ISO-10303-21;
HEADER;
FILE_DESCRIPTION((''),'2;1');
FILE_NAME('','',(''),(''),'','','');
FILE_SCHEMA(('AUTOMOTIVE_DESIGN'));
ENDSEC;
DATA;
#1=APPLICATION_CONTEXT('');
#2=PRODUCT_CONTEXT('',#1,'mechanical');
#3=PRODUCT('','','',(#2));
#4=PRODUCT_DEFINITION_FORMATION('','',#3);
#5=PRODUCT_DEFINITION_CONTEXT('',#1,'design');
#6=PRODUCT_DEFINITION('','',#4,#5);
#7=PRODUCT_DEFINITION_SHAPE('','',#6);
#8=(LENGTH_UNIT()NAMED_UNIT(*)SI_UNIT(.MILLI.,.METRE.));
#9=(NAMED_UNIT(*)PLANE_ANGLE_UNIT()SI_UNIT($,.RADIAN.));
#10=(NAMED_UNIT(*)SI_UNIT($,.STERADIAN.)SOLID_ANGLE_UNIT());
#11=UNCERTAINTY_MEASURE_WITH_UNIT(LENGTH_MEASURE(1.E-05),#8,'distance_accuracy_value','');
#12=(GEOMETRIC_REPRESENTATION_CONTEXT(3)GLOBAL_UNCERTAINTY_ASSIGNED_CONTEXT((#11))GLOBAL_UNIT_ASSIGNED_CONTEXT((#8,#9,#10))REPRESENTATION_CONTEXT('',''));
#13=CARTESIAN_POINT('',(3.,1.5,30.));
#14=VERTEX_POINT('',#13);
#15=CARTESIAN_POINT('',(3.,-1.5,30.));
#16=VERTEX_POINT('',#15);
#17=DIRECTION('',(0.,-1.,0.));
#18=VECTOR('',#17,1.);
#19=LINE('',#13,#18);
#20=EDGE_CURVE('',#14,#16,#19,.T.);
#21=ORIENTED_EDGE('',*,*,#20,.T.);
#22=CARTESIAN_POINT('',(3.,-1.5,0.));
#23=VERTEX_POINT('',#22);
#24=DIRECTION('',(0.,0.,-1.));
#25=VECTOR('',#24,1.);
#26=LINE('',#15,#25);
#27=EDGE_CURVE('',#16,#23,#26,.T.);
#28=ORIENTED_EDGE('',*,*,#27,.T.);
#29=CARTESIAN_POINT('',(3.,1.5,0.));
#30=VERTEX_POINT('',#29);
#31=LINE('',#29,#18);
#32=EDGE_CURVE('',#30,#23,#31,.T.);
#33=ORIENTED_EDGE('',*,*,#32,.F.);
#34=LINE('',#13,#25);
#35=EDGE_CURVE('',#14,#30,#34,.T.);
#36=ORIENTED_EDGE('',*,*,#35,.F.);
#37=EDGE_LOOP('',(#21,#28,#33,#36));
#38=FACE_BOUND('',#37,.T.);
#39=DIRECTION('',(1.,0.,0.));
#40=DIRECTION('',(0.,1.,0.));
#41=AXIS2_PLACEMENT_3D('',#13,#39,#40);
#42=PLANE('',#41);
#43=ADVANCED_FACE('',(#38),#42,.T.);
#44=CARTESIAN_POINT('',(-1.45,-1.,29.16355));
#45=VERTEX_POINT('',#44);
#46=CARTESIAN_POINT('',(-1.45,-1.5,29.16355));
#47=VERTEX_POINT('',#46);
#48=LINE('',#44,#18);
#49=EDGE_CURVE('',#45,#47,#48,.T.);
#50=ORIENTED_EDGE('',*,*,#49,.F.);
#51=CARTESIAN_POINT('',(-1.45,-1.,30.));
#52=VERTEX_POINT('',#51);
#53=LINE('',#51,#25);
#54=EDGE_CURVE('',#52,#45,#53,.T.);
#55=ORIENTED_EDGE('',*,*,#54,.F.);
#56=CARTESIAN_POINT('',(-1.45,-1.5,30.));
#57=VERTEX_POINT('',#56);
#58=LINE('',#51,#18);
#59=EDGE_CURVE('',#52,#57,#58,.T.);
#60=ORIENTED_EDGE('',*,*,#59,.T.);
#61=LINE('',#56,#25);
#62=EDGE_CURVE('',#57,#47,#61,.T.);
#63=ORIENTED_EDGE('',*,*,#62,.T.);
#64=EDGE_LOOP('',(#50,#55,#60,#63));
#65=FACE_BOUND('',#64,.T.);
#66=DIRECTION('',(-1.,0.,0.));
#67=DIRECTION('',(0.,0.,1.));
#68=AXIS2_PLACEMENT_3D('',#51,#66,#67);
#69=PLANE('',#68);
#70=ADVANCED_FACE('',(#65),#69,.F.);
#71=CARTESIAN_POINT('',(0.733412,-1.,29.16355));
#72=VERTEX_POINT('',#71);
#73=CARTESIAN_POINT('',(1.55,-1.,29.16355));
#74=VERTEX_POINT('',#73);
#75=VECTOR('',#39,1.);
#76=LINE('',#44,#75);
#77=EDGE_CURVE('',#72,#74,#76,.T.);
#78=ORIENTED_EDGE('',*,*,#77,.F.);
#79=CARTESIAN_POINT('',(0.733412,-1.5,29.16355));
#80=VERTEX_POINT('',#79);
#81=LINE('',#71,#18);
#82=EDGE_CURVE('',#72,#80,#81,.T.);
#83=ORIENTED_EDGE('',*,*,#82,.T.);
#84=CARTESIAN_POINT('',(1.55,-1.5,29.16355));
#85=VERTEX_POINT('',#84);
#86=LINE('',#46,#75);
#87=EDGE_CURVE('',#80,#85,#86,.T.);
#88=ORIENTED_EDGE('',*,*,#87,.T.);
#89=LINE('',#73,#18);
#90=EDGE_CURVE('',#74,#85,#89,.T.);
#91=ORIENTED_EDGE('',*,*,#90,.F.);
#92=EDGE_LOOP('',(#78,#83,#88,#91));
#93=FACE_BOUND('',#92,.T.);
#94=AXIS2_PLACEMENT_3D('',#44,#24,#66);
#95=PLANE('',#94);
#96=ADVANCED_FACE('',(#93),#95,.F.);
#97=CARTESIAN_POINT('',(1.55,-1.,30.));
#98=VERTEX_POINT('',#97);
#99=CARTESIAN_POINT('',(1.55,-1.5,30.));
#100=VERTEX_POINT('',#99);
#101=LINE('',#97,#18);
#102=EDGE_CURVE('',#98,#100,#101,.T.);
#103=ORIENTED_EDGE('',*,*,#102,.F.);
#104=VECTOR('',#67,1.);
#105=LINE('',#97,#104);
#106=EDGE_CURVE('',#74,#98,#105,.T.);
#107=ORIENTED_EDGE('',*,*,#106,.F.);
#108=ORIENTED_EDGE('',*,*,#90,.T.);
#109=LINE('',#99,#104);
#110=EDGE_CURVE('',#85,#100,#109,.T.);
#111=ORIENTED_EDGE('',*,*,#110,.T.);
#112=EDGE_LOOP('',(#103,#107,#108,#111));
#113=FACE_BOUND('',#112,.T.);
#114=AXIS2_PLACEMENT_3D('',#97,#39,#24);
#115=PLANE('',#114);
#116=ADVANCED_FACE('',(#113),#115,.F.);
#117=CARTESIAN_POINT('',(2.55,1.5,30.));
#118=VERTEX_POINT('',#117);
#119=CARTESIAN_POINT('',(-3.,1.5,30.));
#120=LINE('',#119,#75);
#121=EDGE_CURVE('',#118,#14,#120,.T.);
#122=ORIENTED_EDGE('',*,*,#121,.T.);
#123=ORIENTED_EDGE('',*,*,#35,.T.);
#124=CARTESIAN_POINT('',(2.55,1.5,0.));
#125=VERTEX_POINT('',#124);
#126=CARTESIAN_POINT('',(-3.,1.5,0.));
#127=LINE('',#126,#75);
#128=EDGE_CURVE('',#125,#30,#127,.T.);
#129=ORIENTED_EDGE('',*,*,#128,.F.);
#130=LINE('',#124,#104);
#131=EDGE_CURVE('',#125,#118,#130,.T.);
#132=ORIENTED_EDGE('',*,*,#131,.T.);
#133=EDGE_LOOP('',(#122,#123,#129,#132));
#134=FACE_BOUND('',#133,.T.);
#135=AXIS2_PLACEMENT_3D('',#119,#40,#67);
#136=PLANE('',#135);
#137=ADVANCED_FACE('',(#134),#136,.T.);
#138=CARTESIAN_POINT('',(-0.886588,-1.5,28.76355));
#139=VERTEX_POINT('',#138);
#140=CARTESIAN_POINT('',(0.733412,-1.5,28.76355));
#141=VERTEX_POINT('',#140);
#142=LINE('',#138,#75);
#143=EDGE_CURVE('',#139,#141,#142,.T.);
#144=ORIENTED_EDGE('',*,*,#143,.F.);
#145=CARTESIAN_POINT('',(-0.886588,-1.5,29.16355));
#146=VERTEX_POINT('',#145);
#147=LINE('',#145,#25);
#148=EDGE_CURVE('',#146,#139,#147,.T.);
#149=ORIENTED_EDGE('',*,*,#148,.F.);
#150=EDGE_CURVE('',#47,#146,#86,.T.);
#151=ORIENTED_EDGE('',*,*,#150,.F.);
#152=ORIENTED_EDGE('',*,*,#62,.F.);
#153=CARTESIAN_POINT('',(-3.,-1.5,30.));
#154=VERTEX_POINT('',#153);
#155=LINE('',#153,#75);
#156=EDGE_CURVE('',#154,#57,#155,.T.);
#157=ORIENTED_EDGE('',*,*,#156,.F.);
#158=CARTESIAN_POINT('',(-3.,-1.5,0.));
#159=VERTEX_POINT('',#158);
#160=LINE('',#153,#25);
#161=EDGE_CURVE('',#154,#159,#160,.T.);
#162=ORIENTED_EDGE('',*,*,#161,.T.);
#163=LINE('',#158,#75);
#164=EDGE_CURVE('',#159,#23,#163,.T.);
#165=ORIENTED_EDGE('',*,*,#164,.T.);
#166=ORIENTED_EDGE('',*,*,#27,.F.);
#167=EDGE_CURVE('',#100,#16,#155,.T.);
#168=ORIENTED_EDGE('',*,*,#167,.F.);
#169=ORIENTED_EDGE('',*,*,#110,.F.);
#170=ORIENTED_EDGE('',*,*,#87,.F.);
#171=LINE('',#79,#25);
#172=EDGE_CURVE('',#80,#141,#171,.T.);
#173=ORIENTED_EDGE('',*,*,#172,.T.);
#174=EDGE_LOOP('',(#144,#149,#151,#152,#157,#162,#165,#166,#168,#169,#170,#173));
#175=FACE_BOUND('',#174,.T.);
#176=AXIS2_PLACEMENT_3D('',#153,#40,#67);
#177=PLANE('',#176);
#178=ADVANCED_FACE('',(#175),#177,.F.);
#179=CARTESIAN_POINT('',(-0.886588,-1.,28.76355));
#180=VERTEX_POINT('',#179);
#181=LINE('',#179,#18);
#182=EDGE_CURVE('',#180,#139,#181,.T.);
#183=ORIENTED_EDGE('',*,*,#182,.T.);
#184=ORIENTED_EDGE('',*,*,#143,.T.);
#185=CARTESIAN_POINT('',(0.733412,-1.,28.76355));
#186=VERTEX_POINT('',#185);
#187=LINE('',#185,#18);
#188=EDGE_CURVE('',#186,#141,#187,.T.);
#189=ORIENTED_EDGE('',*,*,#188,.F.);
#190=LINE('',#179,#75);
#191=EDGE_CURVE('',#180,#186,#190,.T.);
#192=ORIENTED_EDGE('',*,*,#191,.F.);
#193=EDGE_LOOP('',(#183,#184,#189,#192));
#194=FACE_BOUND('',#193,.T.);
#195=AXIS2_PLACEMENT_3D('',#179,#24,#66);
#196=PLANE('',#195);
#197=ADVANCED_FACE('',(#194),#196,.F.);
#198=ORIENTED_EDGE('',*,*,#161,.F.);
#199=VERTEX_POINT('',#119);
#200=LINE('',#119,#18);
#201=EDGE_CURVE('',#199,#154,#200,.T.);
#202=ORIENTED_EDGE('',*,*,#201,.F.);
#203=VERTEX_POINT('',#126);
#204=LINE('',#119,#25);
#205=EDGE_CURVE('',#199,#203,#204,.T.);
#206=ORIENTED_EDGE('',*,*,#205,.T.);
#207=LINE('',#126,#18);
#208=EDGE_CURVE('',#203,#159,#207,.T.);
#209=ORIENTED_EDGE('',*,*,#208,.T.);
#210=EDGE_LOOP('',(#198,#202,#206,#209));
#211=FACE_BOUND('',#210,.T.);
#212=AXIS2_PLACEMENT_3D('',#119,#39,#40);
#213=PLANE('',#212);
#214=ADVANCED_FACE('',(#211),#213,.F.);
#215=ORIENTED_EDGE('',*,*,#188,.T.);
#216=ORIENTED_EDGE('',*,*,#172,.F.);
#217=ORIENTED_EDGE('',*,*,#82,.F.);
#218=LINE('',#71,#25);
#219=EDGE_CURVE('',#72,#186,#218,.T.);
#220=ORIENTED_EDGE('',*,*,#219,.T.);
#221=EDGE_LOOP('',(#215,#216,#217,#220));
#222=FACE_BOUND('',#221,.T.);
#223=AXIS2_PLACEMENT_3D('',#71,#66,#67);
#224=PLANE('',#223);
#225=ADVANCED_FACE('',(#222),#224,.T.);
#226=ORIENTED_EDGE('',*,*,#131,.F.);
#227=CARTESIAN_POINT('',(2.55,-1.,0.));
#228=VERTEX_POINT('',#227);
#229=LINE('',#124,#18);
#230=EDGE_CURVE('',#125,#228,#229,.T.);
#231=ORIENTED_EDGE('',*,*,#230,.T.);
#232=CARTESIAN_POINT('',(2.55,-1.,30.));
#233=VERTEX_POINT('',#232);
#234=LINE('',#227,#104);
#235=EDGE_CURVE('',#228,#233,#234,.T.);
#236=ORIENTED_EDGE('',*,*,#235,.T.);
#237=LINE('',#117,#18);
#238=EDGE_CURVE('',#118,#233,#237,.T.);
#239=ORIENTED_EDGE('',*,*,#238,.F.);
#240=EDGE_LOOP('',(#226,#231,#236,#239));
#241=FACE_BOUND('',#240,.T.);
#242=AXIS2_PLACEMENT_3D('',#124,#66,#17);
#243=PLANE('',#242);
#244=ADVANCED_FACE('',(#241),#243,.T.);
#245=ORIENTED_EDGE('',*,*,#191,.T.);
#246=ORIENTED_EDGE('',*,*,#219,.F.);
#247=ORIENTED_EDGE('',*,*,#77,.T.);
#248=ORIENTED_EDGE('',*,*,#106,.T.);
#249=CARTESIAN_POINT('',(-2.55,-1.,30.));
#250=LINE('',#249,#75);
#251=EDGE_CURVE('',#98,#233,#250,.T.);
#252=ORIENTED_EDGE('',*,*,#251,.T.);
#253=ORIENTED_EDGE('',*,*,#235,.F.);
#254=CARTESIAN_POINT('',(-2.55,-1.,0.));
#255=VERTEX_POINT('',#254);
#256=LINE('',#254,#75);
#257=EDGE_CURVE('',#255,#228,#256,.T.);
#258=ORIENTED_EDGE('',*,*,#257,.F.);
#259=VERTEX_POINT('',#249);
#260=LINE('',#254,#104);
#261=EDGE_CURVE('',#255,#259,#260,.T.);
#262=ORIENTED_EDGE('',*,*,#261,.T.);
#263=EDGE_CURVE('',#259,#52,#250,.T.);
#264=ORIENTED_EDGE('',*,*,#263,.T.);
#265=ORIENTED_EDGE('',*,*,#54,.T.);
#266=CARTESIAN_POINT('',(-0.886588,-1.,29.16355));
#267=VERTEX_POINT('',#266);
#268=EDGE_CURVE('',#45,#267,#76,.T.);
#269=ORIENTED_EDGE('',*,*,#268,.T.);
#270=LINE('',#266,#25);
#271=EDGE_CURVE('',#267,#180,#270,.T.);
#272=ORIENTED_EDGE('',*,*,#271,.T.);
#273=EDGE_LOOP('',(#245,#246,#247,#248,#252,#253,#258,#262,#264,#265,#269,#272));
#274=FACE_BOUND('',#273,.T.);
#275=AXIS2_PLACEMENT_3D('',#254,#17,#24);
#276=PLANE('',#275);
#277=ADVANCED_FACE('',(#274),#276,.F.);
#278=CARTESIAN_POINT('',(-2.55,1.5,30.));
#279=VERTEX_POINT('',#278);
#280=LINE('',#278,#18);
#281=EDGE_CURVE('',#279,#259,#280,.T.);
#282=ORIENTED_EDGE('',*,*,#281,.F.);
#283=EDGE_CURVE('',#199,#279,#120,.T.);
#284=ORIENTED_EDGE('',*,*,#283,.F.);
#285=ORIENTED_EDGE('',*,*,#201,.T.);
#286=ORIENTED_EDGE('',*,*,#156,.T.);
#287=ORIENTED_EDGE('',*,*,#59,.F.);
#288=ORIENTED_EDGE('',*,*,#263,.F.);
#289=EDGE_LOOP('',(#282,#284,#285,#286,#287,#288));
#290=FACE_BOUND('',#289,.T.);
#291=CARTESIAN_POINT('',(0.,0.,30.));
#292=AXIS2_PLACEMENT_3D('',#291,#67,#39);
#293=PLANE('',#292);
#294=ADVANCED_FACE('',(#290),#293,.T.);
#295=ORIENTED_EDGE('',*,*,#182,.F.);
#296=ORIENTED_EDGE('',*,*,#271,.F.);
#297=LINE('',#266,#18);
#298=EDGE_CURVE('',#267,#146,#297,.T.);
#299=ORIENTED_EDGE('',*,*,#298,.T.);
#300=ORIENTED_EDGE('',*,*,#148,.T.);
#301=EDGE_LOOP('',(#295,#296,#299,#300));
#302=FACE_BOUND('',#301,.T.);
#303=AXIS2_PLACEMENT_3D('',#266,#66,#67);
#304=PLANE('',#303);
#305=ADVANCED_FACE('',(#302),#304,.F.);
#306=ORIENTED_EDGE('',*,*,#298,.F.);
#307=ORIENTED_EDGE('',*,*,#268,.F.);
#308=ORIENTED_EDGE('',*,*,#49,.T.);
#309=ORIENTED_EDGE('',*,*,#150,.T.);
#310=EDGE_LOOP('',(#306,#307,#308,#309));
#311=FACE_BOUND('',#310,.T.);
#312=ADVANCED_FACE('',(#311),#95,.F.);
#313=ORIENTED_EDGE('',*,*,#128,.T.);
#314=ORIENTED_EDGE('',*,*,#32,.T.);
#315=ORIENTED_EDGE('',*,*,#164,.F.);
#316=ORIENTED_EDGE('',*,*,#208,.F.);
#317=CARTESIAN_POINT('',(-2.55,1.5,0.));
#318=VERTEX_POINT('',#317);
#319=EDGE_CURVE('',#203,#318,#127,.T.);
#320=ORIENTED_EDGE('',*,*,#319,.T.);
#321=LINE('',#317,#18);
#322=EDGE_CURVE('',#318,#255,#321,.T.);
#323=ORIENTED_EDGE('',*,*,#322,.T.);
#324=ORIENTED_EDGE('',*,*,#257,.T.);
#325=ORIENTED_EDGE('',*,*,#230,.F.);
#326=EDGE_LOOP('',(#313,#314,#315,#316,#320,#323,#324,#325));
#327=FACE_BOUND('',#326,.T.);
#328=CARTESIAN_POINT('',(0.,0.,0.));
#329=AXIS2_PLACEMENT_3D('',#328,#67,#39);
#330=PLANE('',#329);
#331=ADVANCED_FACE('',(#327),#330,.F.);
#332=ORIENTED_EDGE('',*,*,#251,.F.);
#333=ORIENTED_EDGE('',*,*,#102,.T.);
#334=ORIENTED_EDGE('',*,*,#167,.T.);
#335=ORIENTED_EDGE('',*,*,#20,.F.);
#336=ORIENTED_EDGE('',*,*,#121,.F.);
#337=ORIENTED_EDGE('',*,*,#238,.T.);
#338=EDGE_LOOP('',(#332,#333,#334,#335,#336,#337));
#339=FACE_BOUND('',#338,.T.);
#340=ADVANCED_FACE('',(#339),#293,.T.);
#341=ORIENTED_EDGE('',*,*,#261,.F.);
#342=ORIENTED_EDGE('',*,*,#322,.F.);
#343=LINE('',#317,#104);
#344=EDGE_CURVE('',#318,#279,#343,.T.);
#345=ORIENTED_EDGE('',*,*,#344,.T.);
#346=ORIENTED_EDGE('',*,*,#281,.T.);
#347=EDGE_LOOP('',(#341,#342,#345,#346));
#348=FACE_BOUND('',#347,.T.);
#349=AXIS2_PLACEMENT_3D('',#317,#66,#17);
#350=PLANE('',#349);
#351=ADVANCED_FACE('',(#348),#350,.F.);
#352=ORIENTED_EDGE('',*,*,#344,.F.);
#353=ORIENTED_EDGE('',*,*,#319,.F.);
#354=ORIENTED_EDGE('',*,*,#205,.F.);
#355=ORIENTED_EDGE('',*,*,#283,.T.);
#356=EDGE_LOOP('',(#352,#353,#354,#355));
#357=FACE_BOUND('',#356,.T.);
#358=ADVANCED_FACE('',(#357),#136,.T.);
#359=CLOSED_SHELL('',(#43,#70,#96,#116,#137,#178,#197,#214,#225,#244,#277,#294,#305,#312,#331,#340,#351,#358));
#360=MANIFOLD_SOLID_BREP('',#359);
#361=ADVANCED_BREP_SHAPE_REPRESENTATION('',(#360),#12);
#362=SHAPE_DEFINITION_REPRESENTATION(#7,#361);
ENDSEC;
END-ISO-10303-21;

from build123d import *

# Parameters (mm, degrees)
SKETCH_1_W          = 6
SKETCH_1_H          = 3
EXTRUDE_1_DEPTH     = 30
SKETCH_4_W          = 5.1
SKETCH_4_H          = 2.5
CUT_EXTRUDE_1_DEPTH = 30
SKETCH_6_W          = 3
SKETCH_6_H          = 0.836449827
CUT_EXTRUDE_2_DEPTH = 0.5
SKETCH_8_W          = 1.62
SKETCH_8_H          = 0.4
CUT_EXTRUDE_3_DEPTH = 0.5


with BuildPart() as part:
    # 草圖1 → 填料-伸長1 (new body)
    with BuildSketch(Plane.XY):
        Rectangle(SKETCH_1_W, SKETCH_1_H)
    extrude(amount=EXTRUDE_1_DEPTH)

    # 草圖4 → 除料-伸長1 (cut)
    with BuildSketch(Plane.XY.offset(30)):
        with Locations((0, 0.25)):
            Rectangle(SKETCH_4_W, SKETCH_4_H)
    extrude(amount=-CUT_EXTRUDE_1_DEPTH, mode=Mode.SUBTRACT)

    # 草圖6 → 除料-伸長2 (cut)
    with BuildSketch(Plane(origin=(0, -1.5, 0), x_dir=(-1, 0, 0), z_dir=(0, -1, 0))):
        with Locations((-0.05, -29.581775087)):
            Rectangle(SKETCH_6_W, SKETCH_6_H)
    extrude(amount=-CUT_EXTRUDE_2_DEPTH, mode=Mode.SUBTRACT)

    # 草圖8 → 除料-伸長3 (cut)
    with BuildSketch(Plane(origin=(0, -1.5, 0), x_dir=(-1, 0, 0), z_dir=(0, -1, 0))):
        with Locations((0.076588476, -28.963550173)):
            Rectangle(SKETCH_8_W, SKETCH_8_H)
    extrude(amount=-CUT_EXTRUDE_3_DEPTH, mode=Mode.SUBTRACT)


solid = part.part
